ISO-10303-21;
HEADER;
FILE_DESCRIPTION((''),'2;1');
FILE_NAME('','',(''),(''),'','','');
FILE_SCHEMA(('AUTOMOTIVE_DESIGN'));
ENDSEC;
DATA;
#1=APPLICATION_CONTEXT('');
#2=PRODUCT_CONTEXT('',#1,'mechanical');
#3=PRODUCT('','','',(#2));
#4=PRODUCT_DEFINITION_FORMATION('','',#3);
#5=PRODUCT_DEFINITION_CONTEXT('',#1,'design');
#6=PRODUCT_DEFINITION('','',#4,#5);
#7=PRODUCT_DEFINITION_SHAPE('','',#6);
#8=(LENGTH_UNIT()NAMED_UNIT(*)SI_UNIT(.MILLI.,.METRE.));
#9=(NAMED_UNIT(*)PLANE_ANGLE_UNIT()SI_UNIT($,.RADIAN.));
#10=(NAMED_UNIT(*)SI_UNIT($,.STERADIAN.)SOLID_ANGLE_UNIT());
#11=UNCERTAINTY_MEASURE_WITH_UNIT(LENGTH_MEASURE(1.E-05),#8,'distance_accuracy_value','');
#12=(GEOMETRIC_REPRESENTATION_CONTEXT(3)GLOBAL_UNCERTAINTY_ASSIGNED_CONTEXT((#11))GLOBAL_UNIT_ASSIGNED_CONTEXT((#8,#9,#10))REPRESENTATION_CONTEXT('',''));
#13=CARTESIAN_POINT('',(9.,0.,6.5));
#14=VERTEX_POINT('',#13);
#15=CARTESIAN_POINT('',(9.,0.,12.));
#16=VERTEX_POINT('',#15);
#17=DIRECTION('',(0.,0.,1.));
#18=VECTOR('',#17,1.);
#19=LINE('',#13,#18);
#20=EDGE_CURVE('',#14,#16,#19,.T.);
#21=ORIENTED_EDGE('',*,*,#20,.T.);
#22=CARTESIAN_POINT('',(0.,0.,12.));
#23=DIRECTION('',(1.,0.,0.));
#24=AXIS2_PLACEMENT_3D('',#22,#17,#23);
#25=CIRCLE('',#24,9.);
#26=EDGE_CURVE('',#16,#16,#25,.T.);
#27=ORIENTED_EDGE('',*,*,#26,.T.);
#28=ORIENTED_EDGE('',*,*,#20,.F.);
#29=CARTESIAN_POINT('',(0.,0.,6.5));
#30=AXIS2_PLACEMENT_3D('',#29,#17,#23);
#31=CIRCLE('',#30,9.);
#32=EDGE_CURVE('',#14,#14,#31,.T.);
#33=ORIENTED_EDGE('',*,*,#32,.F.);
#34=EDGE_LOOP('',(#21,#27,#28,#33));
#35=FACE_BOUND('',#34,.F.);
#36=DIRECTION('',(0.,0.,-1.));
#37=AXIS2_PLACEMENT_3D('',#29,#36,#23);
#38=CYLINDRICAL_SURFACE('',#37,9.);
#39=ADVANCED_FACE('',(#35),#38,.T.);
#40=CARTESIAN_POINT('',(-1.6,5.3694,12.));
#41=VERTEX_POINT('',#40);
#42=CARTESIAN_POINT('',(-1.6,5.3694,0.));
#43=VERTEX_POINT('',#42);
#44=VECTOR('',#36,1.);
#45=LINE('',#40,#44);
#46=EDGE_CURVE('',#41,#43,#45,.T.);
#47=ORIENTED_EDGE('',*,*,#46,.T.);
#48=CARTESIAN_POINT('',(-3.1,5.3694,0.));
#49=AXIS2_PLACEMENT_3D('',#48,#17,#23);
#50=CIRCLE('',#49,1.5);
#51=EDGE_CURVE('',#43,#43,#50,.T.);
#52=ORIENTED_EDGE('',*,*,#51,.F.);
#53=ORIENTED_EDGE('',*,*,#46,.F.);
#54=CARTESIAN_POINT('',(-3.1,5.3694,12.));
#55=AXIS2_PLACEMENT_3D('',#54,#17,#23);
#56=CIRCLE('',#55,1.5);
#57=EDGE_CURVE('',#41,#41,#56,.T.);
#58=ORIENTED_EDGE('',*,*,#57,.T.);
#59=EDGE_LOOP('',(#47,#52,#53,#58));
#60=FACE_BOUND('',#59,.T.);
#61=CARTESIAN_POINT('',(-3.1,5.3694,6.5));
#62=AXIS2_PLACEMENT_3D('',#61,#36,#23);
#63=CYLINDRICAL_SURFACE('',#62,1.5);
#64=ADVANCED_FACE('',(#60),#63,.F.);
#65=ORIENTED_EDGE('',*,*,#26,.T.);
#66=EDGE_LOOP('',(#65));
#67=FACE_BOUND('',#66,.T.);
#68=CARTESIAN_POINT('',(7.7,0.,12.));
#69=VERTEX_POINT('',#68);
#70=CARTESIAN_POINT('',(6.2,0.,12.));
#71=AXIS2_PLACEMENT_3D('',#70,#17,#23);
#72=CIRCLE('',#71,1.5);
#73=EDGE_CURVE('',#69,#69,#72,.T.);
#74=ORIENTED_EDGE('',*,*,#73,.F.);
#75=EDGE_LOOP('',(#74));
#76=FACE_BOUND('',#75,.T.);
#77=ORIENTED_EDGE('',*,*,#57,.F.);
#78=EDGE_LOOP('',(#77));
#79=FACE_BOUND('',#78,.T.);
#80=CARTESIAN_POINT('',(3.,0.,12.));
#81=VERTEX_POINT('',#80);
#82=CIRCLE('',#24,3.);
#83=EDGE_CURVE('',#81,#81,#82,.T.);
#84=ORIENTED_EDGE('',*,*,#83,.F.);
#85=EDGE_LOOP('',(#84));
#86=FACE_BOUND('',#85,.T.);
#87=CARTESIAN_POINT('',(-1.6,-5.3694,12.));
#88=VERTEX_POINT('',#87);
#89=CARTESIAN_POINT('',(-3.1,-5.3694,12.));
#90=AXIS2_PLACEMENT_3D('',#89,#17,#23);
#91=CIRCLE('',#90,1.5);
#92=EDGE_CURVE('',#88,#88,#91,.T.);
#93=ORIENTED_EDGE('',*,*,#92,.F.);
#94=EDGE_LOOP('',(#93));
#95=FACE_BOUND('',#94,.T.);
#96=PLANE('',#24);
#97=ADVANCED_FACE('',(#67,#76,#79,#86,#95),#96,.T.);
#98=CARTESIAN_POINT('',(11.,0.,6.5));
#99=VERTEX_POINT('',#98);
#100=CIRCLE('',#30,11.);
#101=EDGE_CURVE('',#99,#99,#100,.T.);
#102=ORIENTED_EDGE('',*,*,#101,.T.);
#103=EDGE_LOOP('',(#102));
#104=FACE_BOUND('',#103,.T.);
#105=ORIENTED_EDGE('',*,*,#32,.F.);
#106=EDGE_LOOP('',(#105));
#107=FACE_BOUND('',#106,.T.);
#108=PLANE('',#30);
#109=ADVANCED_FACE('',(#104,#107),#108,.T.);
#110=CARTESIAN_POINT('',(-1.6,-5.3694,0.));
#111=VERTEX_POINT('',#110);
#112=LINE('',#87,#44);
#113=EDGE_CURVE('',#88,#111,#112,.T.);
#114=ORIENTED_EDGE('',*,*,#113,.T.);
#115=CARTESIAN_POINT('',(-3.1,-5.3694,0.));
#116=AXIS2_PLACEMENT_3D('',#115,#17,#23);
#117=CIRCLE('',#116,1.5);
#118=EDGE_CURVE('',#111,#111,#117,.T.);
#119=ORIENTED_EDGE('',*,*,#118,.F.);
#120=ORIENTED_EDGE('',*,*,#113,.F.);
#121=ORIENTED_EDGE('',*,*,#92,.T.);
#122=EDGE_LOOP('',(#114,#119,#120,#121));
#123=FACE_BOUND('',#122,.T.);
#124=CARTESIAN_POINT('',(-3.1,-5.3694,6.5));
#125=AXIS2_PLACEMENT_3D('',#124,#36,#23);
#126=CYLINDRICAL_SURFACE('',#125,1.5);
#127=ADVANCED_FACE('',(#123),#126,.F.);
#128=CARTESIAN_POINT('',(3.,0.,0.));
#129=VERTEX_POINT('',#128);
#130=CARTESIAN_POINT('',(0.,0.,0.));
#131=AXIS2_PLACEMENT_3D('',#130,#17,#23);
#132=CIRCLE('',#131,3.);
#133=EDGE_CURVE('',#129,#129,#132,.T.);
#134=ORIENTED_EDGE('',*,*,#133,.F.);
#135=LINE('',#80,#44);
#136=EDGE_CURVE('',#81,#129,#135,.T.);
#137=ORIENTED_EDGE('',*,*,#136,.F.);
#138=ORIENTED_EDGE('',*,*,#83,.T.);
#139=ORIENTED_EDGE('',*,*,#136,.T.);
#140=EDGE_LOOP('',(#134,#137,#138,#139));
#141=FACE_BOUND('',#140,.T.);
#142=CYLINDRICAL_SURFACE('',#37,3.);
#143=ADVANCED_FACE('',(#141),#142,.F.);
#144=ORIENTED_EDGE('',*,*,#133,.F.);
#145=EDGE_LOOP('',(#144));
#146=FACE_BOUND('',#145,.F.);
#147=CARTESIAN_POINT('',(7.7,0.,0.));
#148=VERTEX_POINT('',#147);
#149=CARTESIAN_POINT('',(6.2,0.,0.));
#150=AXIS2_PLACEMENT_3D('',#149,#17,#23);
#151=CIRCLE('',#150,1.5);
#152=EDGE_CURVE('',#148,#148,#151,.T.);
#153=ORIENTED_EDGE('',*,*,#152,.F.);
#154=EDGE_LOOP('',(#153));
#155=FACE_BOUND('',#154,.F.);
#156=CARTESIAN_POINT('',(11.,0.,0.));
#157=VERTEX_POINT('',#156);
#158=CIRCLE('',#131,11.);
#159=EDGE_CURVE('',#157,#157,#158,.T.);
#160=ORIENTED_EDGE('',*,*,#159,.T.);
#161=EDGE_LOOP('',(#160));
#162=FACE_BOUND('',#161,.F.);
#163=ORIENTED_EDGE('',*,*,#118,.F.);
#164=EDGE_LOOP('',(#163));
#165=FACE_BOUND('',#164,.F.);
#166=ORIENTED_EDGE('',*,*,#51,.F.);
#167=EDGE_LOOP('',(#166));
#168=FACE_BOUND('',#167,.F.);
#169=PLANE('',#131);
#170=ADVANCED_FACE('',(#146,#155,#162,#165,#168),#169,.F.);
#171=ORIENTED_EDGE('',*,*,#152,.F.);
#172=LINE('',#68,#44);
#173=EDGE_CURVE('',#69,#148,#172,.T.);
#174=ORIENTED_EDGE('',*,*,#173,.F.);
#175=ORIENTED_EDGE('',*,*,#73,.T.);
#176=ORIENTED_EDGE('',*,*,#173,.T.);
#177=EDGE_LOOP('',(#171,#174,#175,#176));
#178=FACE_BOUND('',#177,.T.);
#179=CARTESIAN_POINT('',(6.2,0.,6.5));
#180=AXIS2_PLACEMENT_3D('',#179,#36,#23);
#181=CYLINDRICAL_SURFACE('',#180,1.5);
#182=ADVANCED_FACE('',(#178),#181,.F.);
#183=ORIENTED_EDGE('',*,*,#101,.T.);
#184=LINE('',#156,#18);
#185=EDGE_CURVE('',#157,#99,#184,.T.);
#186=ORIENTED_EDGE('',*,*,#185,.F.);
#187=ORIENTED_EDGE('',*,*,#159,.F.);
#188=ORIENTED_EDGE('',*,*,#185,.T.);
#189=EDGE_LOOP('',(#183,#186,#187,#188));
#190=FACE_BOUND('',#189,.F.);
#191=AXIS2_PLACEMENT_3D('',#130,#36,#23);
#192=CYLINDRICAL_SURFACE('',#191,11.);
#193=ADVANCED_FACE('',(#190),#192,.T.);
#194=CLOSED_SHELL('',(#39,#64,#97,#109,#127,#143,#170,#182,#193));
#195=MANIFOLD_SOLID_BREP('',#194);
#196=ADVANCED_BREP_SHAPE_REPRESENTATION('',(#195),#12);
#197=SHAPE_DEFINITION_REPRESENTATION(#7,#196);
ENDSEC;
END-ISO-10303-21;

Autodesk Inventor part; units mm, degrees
ref_plane "YZ Plane" through (0, 0, 0) normal (1, 0, 0) x (0, 1, 0)
ref_plane "XZ Plane" through (0, 0, 0) normal (0, 1, 0) x (-1, 0, 0)
ref_plane "XY Plane" through (0, 0, 0) normal (0, 0, 1) x (1, 0, 0)
sketch "Sketch3" plane through (0, 0, 0) normal (0, 0, 1) x (1, 0, 0)
  circle A0 centre (0, 0) radius 11
  circle A1 centre (0, 0) radius 3
  circle A2 centre (6.2, 0) radius 1.5
  circle A3 centre (3.1, 5.3694) radius 1.5
  circle A4 centre (-3.1, 5.3694) radius 1.5
  circle A5 centre (-6.2, 0) radius 1.5
  circle A6 centre (-3.1, -5.3694) radius 1.5
  circle A7 centre (3.1, -5.3694) radius 1.5
  dimension "d0" = 22
  dimension "d1" = 6
  dimension "d4" = 3
  dimension "d5" = 6.2
  dimension "d12" = 360
extrude "Extrusion1" add sketch "Sketch3" along normal blind 6.5 contours A0 | A3 | A5 | A7
sketch "Sketch6" plane through (0, 0, 6.5) normal (0, 0, 1) x (1, 0, 0)
  circle A0 centre (0, 0) radius 3 projected
  circle A1 centre (-3.1, -5.3694) radius 1.5 projected
  circle A2 centre (-3.1, 5.3694) radius 1.5 projected
  circle A3 centre (6.2, 0) radius 1.5 projected
  circle A4 centre (0, 0) radius 11 projected
  circle A5 centre (0, 0) radius 9
  dimension "d27" = 18
extrude "Extrusion4" add sketch "Sketch6" along normal blind 5.5 contours A5
properties part number "6mm Mounting Hub, thin" material "Aluminum 6061"
